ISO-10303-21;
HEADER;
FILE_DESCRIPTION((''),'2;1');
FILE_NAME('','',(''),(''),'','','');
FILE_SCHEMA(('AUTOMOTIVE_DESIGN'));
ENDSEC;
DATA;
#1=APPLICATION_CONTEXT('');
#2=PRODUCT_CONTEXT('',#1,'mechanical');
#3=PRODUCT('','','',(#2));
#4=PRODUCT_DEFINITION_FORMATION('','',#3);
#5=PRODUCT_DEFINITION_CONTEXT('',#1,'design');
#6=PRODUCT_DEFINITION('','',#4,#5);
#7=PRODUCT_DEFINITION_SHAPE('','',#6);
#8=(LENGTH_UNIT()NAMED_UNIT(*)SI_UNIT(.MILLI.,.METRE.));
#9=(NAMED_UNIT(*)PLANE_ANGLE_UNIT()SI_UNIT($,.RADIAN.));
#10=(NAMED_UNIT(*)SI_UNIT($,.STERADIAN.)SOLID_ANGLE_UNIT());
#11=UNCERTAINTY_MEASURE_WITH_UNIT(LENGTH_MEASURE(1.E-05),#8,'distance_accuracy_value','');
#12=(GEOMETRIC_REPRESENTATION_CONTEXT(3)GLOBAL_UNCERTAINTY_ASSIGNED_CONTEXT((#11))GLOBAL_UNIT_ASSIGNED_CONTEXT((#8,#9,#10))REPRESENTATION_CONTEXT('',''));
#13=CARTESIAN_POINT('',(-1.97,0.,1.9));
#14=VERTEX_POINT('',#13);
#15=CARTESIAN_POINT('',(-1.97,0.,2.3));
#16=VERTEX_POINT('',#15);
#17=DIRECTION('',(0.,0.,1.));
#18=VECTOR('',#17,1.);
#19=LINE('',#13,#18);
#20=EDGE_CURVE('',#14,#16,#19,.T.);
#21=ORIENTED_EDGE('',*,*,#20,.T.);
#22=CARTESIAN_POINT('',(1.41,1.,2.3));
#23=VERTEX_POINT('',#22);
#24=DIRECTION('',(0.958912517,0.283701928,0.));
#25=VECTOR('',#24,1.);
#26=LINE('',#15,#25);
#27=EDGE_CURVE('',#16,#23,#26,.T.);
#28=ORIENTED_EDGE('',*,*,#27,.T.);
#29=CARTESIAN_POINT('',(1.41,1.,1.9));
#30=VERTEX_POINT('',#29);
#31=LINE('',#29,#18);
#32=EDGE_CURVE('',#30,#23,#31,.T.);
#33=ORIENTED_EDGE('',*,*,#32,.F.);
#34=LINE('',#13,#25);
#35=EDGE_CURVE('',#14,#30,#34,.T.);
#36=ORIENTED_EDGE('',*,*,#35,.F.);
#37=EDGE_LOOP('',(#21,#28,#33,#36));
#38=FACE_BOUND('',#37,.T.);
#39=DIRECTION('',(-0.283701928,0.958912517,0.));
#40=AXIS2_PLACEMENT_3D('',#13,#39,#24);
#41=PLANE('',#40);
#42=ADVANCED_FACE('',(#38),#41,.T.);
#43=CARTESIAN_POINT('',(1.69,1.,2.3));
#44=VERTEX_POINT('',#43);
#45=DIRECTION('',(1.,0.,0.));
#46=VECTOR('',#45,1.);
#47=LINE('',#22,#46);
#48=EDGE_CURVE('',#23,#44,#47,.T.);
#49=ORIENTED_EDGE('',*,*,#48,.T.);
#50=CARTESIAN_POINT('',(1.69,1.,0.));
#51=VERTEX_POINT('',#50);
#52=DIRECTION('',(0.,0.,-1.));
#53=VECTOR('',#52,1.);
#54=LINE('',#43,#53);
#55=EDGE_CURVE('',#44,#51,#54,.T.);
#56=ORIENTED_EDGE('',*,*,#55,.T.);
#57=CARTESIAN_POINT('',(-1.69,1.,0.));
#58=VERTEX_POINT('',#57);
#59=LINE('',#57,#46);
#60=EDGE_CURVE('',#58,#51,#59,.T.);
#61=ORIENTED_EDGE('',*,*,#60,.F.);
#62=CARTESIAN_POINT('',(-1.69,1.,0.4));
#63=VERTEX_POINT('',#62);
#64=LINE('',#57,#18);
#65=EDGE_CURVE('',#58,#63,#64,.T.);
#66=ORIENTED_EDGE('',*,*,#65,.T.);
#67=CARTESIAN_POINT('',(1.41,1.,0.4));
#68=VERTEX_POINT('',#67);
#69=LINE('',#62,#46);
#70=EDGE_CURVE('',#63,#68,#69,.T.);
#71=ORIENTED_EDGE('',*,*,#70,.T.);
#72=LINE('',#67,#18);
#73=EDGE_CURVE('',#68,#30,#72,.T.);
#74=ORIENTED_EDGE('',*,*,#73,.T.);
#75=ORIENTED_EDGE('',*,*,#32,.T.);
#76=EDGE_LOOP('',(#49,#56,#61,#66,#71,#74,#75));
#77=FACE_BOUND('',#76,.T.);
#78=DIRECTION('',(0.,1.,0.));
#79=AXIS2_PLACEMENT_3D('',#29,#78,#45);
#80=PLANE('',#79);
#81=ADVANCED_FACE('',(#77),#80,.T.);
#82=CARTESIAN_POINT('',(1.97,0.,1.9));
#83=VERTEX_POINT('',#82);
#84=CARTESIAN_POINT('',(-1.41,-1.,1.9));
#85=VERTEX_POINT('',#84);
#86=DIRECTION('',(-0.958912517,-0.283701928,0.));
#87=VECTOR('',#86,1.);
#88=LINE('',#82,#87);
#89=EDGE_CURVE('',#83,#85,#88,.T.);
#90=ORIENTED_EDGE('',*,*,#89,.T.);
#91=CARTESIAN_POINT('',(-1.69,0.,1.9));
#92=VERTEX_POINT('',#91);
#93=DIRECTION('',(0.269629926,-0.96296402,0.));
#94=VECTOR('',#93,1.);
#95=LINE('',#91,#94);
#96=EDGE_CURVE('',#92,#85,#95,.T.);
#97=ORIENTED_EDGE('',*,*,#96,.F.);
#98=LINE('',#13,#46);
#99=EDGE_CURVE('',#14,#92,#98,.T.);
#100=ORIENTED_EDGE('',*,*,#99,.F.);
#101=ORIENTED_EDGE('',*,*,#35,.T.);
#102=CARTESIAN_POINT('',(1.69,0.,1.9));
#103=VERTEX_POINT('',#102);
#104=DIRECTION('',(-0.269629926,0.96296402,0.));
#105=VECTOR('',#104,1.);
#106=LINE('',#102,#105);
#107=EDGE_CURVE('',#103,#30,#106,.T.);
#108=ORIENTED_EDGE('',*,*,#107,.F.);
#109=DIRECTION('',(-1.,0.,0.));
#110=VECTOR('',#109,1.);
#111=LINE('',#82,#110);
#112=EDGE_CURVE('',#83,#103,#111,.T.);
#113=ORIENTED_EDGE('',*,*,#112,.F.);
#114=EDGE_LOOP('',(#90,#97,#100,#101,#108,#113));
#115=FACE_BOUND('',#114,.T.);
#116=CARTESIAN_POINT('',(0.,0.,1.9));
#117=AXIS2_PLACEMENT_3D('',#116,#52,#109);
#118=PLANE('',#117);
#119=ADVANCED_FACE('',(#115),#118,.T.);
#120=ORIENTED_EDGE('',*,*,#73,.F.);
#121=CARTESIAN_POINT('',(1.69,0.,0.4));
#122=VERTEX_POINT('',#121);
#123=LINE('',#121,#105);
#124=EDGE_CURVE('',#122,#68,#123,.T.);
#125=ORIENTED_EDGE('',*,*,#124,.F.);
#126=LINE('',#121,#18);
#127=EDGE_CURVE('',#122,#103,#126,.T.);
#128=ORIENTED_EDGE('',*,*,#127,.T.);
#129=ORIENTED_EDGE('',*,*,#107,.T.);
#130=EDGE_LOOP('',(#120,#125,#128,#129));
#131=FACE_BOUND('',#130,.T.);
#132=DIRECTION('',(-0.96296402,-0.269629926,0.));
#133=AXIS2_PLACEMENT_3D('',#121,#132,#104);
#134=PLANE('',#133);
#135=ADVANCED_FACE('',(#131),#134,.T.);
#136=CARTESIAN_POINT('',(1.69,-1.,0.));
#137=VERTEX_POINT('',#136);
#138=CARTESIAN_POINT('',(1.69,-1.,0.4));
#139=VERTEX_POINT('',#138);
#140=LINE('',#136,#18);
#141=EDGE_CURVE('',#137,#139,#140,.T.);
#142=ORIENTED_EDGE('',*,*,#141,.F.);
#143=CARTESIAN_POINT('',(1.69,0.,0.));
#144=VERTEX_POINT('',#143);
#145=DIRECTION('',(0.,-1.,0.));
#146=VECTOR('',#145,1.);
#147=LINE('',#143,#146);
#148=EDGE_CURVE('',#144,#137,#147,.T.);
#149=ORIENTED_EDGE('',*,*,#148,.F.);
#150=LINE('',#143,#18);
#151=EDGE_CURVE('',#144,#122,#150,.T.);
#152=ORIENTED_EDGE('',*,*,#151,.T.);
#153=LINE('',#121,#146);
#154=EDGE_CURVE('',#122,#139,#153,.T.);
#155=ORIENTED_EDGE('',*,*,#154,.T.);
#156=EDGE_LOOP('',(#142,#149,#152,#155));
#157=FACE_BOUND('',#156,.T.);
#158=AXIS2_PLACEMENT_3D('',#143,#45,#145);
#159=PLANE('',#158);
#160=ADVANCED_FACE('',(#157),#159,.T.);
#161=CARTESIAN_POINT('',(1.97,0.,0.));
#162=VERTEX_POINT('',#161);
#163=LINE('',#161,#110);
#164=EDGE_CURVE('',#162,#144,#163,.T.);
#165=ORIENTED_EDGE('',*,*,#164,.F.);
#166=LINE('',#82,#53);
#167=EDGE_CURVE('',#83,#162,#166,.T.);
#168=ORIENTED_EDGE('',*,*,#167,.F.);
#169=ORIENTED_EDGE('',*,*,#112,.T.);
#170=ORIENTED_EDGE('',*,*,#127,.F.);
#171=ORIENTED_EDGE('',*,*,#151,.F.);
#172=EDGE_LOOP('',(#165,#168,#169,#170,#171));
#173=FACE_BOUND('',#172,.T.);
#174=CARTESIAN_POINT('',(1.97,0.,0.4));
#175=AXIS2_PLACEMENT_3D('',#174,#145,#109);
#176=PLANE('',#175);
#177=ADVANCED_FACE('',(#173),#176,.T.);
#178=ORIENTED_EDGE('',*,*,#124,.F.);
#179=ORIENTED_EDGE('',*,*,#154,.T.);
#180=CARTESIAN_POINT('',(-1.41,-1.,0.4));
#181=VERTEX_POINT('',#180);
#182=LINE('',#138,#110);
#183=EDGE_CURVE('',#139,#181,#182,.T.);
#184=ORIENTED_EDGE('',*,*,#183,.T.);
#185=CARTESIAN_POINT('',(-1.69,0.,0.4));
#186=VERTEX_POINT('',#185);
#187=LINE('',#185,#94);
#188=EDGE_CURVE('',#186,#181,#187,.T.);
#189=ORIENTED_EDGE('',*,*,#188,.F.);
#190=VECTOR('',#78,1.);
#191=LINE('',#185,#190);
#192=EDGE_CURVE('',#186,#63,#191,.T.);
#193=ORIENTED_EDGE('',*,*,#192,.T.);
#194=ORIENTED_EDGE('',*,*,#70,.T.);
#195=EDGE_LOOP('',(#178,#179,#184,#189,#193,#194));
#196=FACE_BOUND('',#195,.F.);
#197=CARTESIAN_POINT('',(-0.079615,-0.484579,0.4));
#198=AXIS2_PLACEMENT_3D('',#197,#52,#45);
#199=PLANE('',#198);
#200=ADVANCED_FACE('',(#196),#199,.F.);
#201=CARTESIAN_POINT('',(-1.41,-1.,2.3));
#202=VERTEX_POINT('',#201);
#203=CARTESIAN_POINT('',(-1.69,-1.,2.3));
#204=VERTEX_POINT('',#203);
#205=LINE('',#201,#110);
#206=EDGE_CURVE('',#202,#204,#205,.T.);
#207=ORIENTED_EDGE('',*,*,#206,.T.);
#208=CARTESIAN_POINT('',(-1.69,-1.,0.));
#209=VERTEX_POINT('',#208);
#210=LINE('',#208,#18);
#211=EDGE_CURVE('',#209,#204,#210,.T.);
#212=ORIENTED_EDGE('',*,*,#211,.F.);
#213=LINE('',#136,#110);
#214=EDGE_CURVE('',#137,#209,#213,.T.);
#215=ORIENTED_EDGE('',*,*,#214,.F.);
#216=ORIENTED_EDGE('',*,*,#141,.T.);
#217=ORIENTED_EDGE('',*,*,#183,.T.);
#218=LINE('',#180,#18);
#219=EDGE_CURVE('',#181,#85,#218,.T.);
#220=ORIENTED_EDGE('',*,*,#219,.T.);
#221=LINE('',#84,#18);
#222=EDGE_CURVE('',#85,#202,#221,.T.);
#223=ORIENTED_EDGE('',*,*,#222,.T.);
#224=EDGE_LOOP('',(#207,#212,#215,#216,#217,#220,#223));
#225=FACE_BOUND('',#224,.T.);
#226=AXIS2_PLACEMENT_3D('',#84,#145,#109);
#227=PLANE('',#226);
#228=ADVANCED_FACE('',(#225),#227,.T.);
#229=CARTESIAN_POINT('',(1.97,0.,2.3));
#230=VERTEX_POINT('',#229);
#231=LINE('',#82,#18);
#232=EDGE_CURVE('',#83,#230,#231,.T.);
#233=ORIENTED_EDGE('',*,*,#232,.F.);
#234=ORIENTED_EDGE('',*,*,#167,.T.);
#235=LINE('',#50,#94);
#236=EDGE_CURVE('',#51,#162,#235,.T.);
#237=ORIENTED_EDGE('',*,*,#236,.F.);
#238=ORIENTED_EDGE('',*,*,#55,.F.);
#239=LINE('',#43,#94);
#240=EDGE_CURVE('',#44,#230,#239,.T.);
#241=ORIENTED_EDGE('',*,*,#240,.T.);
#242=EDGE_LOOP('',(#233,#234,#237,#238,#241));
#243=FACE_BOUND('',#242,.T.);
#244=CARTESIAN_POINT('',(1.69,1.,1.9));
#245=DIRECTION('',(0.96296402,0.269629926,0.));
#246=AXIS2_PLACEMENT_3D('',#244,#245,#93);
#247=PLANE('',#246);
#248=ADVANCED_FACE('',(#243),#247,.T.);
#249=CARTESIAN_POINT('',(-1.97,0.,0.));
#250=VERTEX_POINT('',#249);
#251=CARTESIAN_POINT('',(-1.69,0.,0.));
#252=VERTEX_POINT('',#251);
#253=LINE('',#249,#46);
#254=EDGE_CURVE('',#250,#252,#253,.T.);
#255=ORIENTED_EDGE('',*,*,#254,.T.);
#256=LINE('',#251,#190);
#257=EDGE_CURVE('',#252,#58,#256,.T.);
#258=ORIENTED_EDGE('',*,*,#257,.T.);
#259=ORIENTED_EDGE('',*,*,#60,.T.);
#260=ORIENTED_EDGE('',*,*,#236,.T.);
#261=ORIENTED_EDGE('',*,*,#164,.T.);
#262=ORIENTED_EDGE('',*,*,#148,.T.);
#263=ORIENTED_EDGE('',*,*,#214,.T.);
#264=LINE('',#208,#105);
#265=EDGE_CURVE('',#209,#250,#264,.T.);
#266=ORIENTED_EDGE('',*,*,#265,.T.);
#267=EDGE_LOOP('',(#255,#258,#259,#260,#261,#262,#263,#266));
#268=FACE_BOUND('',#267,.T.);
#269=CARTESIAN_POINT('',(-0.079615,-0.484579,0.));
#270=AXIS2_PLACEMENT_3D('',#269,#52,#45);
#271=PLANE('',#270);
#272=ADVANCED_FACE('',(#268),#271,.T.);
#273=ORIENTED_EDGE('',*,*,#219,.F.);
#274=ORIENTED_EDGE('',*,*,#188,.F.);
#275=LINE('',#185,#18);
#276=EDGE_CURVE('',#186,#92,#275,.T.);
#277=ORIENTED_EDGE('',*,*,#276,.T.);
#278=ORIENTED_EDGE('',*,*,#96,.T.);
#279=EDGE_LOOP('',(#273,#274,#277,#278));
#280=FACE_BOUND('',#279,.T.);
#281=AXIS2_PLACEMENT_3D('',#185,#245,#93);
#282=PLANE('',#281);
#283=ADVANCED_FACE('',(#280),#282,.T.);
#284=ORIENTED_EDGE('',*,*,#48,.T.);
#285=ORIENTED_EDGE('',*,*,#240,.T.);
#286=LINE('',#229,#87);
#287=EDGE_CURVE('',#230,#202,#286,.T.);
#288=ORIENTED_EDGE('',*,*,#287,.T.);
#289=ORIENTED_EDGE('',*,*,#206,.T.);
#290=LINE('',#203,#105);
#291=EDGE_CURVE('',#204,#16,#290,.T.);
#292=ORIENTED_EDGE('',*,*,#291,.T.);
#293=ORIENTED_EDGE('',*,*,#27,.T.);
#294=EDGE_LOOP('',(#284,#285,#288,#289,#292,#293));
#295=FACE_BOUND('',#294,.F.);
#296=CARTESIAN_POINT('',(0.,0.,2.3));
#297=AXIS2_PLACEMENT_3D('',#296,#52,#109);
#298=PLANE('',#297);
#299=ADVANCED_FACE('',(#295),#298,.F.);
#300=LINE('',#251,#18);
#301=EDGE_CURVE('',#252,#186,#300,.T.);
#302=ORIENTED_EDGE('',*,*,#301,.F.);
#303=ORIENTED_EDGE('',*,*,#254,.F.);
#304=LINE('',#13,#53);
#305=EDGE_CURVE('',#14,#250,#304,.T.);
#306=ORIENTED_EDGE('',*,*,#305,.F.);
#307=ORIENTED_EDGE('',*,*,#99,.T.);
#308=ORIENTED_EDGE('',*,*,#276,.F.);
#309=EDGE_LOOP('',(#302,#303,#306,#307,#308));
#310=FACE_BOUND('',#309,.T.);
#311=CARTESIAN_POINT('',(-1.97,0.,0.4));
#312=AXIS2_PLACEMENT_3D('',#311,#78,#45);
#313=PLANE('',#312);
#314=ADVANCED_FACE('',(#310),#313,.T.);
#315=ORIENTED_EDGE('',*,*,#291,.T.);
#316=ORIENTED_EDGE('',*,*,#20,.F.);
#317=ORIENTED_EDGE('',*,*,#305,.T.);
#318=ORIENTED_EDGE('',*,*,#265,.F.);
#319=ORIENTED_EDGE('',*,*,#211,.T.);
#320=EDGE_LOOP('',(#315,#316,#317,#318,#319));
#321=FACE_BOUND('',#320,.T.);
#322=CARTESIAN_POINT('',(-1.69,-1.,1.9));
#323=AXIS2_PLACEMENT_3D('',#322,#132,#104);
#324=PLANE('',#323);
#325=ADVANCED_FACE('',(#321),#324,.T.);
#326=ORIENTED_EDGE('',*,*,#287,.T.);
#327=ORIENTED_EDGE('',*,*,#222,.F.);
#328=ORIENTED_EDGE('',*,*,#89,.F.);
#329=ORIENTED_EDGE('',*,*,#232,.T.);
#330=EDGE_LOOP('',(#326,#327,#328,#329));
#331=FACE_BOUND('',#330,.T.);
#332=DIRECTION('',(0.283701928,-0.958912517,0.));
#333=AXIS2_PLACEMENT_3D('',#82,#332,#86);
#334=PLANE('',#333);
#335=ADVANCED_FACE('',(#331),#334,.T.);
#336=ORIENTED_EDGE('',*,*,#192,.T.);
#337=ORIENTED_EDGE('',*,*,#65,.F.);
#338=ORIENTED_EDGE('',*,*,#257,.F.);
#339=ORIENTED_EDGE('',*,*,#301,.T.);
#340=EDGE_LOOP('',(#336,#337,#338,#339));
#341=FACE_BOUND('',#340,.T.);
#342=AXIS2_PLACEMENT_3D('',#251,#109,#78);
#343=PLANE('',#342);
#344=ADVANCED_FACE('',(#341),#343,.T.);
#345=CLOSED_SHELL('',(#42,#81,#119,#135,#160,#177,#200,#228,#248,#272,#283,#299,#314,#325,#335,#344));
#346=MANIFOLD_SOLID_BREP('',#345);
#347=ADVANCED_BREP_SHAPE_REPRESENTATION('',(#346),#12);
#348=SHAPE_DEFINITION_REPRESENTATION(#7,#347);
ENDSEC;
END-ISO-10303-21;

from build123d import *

# Parameters (mm, degrees)
PAD_DEPTH             = 0.4
POLARPATTERN_COUNT    = 2
PAD001_DEPTH          = 1.5
POLARPATTERN001_COUNT = 2
PAD002_DEPTH          = 0.4


with BuildPart() as part:
    # Sketch → Pad (new body)
    with BuildSketch(Plane.XY):
        Polygon((-1.69, 1), (1.69, 1), (1.97, 0), (-1.69, 0), align=None)
    pad = extrude(amount=PAD_DEPTH)

    # PolarPattern: Pad ×2 about axis
    polarpattern_axis = Axis((0, 0, 0), (0, 0, 1))
    for i in range(1, POLARPATTERN_COUNT):
        add(pad.rotate(polarpattern_axis, i * 360 / POLARPATTERN_COUNT))

    # Sketch001 (on Face5 of PolarPattern) → Pad001 (join)
    with BuildSketch(Plane.XY.offset(0.4)):
        Polygon((1.41, 1), (1.69, 1), (1.97, 0), (1.69, 0), align=None)
    pad001 = extrude(amount=PAD001_DEPTH)

    # PolarPattern001: Pad001 ×2 about axis
    polarpattern001_axis = Axis((0, 0, 0.4), (0, 0, 1))
    for i in range(1, POLARPATTERN001_COUNT):
        add(pad001.rotate(polarpattern001_axis, i * 360 / POLARPATTERN001_COUNT))

    # Sketch002 (on Face13 of PolarPattern001) → Pad002 (join)
    with BuildSketch(Plane.XY.offset(1.9)):
        Polygon((1.41, 1), (1.69, 1), (1.97, 0), (-1.41, -1), (-1.69, -1), (-1.97, 0), align=None)
    extrude(amount=PAD002_DEPTH)


solid = part.part
